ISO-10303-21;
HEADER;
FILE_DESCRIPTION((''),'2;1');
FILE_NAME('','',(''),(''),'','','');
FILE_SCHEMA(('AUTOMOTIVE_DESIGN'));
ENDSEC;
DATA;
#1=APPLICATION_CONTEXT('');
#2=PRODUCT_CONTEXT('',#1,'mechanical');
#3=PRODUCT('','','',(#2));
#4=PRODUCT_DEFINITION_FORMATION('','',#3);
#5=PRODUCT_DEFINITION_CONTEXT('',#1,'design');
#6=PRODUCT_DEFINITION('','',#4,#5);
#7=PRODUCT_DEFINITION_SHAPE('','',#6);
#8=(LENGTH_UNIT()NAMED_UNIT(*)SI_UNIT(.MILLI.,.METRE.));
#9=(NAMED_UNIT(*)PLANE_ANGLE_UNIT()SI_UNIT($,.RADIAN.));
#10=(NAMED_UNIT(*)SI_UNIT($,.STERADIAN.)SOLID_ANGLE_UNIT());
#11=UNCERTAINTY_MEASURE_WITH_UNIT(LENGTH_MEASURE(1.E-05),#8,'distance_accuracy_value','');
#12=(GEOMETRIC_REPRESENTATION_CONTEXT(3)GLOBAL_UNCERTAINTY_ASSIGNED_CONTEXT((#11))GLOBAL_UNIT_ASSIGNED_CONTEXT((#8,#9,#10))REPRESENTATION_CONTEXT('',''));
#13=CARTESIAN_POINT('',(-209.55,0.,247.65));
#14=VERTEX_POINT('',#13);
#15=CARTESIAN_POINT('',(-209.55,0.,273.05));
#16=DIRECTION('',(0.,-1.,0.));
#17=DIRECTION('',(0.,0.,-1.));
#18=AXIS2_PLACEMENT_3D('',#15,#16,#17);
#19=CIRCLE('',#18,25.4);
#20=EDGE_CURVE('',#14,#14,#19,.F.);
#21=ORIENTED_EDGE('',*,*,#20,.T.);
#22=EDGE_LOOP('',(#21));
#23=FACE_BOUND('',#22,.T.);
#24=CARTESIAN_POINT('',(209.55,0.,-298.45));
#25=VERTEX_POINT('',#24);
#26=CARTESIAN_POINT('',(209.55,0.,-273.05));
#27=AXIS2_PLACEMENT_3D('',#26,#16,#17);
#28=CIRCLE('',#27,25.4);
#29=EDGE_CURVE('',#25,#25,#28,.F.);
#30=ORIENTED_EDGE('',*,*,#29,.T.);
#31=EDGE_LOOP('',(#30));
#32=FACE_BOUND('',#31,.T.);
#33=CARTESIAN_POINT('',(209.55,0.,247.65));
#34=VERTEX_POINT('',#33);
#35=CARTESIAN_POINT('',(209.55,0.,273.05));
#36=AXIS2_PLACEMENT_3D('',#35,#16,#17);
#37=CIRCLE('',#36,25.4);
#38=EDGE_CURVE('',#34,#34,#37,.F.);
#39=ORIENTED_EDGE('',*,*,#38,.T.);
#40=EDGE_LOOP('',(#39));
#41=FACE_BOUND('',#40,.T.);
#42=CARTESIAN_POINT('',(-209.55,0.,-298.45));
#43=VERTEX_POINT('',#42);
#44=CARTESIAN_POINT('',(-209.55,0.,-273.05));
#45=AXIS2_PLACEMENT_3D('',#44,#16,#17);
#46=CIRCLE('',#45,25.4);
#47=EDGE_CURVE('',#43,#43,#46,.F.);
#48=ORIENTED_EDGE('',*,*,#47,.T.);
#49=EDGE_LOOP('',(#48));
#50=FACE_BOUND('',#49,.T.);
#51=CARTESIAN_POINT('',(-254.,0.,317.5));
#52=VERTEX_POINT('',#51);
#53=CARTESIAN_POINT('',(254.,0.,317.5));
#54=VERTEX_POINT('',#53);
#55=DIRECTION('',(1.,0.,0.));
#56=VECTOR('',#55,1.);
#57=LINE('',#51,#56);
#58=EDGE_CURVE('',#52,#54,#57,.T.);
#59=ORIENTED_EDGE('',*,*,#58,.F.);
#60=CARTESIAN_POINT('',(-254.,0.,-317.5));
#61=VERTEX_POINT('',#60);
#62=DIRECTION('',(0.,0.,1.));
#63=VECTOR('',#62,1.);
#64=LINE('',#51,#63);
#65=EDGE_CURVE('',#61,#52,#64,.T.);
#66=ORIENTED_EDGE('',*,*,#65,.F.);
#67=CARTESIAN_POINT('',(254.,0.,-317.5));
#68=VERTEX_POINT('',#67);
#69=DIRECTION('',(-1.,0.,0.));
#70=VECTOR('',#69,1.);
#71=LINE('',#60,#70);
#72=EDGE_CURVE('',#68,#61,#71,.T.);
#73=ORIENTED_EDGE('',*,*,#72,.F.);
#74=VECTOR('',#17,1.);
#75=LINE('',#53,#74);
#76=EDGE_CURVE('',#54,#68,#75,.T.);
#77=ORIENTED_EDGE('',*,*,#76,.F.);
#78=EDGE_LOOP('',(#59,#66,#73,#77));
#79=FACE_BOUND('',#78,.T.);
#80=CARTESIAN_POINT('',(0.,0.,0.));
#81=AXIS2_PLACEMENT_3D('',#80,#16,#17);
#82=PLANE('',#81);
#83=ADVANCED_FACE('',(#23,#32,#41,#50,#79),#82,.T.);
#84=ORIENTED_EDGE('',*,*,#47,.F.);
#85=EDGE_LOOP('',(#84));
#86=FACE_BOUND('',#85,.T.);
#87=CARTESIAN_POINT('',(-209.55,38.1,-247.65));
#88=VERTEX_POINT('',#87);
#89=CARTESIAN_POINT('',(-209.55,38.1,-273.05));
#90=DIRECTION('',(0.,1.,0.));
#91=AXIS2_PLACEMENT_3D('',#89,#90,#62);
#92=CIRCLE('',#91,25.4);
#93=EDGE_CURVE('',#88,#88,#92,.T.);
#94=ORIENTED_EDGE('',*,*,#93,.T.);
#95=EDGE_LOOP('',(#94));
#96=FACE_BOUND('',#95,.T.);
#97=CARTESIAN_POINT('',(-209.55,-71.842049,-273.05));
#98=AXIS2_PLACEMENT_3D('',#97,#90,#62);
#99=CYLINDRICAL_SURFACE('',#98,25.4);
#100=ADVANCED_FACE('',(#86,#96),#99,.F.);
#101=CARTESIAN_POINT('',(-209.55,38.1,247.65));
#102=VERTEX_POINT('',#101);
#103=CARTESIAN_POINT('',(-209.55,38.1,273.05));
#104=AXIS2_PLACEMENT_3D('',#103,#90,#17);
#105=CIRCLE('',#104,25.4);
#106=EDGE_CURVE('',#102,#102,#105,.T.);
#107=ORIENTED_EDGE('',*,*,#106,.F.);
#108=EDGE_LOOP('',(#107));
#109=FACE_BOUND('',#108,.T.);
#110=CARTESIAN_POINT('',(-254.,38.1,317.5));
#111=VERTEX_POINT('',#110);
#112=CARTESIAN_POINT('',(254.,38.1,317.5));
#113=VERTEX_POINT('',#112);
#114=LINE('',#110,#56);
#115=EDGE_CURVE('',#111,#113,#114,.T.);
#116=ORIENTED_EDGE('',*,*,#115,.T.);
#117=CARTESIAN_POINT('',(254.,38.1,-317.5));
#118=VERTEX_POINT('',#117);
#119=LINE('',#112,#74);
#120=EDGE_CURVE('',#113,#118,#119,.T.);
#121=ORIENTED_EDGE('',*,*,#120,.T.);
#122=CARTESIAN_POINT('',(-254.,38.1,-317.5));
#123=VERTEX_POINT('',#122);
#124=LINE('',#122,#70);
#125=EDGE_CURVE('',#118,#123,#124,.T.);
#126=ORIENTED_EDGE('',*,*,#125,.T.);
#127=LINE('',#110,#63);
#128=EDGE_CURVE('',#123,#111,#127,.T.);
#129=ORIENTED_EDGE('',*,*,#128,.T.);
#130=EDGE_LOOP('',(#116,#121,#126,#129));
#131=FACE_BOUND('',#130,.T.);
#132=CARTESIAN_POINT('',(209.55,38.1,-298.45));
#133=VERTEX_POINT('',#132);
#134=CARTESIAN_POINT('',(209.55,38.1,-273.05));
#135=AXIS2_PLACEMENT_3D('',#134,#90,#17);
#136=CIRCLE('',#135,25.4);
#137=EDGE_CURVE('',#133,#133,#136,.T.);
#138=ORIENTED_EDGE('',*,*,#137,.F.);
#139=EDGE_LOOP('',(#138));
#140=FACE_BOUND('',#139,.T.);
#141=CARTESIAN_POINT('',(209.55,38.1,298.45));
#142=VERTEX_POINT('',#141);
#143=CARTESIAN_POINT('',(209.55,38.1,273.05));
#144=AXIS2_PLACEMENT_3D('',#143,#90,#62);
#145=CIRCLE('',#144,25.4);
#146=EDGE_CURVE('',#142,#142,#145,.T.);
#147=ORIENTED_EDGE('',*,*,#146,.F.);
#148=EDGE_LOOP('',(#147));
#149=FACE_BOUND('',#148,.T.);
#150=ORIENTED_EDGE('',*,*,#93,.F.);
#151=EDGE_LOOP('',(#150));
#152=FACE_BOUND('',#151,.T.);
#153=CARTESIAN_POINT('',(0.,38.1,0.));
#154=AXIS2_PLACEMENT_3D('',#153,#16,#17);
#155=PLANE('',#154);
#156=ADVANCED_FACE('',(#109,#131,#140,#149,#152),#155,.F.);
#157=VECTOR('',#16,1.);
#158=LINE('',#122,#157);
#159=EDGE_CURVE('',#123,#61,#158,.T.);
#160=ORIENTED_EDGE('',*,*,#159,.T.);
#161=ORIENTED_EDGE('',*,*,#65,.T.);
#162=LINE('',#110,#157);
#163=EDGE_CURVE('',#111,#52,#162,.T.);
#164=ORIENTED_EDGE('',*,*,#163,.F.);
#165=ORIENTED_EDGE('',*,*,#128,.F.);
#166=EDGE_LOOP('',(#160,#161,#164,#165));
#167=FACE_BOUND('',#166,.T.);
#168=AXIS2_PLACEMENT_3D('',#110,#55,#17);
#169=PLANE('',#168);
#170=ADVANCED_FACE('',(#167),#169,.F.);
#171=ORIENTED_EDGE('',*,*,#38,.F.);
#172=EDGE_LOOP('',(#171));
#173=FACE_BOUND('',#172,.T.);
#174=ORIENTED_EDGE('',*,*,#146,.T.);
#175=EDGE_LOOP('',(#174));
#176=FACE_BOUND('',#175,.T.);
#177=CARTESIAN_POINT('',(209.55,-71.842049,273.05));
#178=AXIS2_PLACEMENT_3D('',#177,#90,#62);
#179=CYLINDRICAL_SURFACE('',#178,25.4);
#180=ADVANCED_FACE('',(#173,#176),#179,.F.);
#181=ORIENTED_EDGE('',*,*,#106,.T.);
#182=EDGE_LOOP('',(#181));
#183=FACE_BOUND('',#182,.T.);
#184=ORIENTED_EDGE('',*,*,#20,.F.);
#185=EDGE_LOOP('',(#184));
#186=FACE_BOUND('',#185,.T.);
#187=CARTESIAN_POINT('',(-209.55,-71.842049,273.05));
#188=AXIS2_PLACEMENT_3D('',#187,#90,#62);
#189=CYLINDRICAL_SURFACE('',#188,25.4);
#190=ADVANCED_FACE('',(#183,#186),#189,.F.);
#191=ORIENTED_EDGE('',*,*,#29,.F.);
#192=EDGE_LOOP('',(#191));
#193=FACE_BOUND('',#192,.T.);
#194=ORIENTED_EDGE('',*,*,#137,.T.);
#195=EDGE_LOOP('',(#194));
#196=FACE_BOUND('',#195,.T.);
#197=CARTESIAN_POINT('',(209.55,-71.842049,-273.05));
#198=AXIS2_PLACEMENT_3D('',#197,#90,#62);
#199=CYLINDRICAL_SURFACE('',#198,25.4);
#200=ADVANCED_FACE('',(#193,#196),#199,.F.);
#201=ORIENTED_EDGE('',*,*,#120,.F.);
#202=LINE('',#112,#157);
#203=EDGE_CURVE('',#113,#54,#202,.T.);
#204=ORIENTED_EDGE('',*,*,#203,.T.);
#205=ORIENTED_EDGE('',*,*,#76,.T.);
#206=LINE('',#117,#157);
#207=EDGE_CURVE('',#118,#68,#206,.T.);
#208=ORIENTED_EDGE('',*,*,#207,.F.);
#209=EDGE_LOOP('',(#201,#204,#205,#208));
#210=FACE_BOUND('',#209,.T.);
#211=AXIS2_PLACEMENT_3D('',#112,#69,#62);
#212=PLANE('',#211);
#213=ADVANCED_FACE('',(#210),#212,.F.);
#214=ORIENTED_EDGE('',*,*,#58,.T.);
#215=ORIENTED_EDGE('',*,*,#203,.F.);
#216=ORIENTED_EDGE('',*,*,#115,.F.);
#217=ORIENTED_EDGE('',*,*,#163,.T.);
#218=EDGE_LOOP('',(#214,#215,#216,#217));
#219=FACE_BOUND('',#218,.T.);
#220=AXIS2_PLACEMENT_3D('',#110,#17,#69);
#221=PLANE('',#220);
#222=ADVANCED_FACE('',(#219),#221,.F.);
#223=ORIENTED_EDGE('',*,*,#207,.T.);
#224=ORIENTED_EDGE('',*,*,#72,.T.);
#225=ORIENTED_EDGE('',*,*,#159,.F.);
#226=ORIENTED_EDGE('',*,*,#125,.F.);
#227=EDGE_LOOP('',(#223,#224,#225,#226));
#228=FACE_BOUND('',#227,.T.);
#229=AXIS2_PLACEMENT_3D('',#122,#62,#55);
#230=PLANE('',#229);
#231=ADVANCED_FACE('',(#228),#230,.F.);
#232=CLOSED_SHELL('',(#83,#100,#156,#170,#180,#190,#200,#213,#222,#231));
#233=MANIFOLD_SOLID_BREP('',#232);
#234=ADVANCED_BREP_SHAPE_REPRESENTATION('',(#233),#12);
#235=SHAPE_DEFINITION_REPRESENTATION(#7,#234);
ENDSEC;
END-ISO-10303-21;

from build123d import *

# Parameters (mm, degrees)
CROQUIS2_W              = 508
CROQUIS2_H              = 635
SALIENTE_EXTRUIR2_DEPTH = 38.1
CROQUIS3_R              = 25.4
CORTAR_EXTRUIR1_DEPTH   = 38.1


with BuildPart() as part:
    # Croquis2 → Saliente-Extruir2 (new body)
    with BuildSketch(Plane(origin=(0, 0, 0), x_dir=(1, 0, 0), z_dir=(0, 1, 0))):
        Rectangle(CROQUIS2_W, CROQUIS2_H)
    extrude(amount=SALIENTE_EXTRUIR2_DEPTH)

    # Croquis3 → Cortar-Extruir1 (cut)
    with BuildSketch(Plane(origin=(0, 38.1, 0), x_dir=(1, 0, 0), z_dir=(0, 1, 0))):
        with Locations((-209.55, 273.05)):
            Circle(CROQUIS3_R)
        with Locations((209.55, 273.05)):
            Circle(CROQUIS3_R)
        with Locations((209.55, -273.05)):
            Circle(CROQUIS3_R)
        with Locations((-209.55, -273.05)):
            Circle(CROQUIS3_R)
    extrude(amount=-CORTAR_EXTRUIR1_DEPTH, mode=Mode.SUBTRACT)


solid = part.part
